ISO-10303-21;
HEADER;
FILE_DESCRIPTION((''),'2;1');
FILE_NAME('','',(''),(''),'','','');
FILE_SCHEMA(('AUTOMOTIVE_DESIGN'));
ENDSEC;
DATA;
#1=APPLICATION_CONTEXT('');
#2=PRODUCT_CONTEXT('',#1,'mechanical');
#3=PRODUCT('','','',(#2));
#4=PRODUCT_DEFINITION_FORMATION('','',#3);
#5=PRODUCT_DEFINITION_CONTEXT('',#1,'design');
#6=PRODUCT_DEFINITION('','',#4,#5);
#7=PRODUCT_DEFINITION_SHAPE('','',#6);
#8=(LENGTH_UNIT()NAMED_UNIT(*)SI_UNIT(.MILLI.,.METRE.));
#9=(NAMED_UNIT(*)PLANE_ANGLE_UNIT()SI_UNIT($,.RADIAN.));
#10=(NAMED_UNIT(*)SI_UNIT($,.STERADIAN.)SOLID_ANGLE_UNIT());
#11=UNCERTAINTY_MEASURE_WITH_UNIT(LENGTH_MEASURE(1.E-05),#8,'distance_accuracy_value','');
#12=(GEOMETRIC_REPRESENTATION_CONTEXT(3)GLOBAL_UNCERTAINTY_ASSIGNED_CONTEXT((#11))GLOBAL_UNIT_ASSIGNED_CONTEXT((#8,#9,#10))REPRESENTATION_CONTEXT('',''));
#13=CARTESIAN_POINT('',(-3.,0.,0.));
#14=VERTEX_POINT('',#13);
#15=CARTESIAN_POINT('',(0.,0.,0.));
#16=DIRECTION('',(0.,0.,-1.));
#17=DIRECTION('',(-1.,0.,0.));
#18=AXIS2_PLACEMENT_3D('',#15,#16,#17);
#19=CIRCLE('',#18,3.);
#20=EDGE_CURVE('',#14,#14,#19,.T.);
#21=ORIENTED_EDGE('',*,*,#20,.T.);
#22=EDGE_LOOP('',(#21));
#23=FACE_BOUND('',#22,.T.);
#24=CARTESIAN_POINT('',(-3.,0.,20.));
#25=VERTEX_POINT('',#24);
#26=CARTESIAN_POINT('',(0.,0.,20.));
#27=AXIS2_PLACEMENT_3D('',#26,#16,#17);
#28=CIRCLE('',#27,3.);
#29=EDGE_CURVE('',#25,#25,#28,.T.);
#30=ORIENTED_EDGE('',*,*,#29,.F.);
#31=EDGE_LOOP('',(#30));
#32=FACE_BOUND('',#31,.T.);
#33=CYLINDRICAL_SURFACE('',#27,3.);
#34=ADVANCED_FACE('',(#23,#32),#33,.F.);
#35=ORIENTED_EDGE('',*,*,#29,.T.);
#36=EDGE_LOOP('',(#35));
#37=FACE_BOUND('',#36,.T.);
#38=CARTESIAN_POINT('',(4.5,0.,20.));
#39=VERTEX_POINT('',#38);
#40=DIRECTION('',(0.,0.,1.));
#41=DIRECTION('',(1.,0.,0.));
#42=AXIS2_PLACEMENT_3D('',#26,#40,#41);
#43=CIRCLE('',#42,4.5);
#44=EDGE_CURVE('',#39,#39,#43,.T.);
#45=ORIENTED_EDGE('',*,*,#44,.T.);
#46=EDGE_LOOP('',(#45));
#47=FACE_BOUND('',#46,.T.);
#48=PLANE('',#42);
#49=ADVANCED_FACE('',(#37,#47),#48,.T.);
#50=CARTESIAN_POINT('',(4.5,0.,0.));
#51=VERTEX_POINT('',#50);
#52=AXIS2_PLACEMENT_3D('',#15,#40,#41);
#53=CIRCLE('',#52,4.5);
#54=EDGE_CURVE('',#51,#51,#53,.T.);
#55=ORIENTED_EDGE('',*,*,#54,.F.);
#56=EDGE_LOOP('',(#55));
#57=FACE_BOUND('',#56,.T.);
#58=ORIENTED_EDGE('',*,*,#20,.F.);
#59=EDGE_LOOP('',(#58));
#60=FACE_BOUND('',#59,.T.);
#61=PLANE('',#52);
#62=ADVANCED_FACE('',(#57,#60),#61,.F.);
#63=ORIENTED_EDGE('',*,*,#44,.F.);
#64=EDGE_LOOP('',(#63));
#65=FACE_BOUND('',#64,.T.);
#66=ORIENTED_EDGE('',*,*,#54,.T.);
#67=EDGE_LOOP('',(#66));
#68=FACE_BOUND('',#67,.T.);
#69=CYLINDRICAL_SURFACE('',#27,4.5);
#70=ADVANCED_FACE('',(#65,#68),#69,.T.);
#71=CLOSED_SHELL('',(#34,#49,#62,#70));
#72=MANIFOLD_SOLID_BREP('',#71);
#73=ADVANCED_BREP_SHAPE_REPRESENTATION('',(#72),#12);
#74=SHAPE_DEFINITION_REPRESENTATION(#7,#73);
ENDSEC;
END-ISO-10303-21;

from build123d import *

# Parameters (mm, degrees)
SKETCH_1_R          = 4.5
EXTRUDE_1_DEPTH     = 20
SKETCH_2_R          = 3
CUT_EXTRUDE_1_DEPTH = 21.988091862


with BuildPart() as part:
    # 草图1 → 凸台-拉伸1 (new body)
    with BuildSketch(Plane.XY):
        Circle(SKETCH_1_R)
    extrude(amount=EXTRUDE_1_DEPTH)

    # 草图2 → 切除-拉伸1 (cut, through all)
    with BuildSketch(Plane(origin=(0, 0, 0), x_dir=(-1, 0, 0), z_dir=(0, 0, -1))):
        Circle(SKETCH_2_R)
    extrude(amount=-CUT_EXTRUDE_1_DEPTH, mode=Mode.SUBTRACT)


solid = part.part
